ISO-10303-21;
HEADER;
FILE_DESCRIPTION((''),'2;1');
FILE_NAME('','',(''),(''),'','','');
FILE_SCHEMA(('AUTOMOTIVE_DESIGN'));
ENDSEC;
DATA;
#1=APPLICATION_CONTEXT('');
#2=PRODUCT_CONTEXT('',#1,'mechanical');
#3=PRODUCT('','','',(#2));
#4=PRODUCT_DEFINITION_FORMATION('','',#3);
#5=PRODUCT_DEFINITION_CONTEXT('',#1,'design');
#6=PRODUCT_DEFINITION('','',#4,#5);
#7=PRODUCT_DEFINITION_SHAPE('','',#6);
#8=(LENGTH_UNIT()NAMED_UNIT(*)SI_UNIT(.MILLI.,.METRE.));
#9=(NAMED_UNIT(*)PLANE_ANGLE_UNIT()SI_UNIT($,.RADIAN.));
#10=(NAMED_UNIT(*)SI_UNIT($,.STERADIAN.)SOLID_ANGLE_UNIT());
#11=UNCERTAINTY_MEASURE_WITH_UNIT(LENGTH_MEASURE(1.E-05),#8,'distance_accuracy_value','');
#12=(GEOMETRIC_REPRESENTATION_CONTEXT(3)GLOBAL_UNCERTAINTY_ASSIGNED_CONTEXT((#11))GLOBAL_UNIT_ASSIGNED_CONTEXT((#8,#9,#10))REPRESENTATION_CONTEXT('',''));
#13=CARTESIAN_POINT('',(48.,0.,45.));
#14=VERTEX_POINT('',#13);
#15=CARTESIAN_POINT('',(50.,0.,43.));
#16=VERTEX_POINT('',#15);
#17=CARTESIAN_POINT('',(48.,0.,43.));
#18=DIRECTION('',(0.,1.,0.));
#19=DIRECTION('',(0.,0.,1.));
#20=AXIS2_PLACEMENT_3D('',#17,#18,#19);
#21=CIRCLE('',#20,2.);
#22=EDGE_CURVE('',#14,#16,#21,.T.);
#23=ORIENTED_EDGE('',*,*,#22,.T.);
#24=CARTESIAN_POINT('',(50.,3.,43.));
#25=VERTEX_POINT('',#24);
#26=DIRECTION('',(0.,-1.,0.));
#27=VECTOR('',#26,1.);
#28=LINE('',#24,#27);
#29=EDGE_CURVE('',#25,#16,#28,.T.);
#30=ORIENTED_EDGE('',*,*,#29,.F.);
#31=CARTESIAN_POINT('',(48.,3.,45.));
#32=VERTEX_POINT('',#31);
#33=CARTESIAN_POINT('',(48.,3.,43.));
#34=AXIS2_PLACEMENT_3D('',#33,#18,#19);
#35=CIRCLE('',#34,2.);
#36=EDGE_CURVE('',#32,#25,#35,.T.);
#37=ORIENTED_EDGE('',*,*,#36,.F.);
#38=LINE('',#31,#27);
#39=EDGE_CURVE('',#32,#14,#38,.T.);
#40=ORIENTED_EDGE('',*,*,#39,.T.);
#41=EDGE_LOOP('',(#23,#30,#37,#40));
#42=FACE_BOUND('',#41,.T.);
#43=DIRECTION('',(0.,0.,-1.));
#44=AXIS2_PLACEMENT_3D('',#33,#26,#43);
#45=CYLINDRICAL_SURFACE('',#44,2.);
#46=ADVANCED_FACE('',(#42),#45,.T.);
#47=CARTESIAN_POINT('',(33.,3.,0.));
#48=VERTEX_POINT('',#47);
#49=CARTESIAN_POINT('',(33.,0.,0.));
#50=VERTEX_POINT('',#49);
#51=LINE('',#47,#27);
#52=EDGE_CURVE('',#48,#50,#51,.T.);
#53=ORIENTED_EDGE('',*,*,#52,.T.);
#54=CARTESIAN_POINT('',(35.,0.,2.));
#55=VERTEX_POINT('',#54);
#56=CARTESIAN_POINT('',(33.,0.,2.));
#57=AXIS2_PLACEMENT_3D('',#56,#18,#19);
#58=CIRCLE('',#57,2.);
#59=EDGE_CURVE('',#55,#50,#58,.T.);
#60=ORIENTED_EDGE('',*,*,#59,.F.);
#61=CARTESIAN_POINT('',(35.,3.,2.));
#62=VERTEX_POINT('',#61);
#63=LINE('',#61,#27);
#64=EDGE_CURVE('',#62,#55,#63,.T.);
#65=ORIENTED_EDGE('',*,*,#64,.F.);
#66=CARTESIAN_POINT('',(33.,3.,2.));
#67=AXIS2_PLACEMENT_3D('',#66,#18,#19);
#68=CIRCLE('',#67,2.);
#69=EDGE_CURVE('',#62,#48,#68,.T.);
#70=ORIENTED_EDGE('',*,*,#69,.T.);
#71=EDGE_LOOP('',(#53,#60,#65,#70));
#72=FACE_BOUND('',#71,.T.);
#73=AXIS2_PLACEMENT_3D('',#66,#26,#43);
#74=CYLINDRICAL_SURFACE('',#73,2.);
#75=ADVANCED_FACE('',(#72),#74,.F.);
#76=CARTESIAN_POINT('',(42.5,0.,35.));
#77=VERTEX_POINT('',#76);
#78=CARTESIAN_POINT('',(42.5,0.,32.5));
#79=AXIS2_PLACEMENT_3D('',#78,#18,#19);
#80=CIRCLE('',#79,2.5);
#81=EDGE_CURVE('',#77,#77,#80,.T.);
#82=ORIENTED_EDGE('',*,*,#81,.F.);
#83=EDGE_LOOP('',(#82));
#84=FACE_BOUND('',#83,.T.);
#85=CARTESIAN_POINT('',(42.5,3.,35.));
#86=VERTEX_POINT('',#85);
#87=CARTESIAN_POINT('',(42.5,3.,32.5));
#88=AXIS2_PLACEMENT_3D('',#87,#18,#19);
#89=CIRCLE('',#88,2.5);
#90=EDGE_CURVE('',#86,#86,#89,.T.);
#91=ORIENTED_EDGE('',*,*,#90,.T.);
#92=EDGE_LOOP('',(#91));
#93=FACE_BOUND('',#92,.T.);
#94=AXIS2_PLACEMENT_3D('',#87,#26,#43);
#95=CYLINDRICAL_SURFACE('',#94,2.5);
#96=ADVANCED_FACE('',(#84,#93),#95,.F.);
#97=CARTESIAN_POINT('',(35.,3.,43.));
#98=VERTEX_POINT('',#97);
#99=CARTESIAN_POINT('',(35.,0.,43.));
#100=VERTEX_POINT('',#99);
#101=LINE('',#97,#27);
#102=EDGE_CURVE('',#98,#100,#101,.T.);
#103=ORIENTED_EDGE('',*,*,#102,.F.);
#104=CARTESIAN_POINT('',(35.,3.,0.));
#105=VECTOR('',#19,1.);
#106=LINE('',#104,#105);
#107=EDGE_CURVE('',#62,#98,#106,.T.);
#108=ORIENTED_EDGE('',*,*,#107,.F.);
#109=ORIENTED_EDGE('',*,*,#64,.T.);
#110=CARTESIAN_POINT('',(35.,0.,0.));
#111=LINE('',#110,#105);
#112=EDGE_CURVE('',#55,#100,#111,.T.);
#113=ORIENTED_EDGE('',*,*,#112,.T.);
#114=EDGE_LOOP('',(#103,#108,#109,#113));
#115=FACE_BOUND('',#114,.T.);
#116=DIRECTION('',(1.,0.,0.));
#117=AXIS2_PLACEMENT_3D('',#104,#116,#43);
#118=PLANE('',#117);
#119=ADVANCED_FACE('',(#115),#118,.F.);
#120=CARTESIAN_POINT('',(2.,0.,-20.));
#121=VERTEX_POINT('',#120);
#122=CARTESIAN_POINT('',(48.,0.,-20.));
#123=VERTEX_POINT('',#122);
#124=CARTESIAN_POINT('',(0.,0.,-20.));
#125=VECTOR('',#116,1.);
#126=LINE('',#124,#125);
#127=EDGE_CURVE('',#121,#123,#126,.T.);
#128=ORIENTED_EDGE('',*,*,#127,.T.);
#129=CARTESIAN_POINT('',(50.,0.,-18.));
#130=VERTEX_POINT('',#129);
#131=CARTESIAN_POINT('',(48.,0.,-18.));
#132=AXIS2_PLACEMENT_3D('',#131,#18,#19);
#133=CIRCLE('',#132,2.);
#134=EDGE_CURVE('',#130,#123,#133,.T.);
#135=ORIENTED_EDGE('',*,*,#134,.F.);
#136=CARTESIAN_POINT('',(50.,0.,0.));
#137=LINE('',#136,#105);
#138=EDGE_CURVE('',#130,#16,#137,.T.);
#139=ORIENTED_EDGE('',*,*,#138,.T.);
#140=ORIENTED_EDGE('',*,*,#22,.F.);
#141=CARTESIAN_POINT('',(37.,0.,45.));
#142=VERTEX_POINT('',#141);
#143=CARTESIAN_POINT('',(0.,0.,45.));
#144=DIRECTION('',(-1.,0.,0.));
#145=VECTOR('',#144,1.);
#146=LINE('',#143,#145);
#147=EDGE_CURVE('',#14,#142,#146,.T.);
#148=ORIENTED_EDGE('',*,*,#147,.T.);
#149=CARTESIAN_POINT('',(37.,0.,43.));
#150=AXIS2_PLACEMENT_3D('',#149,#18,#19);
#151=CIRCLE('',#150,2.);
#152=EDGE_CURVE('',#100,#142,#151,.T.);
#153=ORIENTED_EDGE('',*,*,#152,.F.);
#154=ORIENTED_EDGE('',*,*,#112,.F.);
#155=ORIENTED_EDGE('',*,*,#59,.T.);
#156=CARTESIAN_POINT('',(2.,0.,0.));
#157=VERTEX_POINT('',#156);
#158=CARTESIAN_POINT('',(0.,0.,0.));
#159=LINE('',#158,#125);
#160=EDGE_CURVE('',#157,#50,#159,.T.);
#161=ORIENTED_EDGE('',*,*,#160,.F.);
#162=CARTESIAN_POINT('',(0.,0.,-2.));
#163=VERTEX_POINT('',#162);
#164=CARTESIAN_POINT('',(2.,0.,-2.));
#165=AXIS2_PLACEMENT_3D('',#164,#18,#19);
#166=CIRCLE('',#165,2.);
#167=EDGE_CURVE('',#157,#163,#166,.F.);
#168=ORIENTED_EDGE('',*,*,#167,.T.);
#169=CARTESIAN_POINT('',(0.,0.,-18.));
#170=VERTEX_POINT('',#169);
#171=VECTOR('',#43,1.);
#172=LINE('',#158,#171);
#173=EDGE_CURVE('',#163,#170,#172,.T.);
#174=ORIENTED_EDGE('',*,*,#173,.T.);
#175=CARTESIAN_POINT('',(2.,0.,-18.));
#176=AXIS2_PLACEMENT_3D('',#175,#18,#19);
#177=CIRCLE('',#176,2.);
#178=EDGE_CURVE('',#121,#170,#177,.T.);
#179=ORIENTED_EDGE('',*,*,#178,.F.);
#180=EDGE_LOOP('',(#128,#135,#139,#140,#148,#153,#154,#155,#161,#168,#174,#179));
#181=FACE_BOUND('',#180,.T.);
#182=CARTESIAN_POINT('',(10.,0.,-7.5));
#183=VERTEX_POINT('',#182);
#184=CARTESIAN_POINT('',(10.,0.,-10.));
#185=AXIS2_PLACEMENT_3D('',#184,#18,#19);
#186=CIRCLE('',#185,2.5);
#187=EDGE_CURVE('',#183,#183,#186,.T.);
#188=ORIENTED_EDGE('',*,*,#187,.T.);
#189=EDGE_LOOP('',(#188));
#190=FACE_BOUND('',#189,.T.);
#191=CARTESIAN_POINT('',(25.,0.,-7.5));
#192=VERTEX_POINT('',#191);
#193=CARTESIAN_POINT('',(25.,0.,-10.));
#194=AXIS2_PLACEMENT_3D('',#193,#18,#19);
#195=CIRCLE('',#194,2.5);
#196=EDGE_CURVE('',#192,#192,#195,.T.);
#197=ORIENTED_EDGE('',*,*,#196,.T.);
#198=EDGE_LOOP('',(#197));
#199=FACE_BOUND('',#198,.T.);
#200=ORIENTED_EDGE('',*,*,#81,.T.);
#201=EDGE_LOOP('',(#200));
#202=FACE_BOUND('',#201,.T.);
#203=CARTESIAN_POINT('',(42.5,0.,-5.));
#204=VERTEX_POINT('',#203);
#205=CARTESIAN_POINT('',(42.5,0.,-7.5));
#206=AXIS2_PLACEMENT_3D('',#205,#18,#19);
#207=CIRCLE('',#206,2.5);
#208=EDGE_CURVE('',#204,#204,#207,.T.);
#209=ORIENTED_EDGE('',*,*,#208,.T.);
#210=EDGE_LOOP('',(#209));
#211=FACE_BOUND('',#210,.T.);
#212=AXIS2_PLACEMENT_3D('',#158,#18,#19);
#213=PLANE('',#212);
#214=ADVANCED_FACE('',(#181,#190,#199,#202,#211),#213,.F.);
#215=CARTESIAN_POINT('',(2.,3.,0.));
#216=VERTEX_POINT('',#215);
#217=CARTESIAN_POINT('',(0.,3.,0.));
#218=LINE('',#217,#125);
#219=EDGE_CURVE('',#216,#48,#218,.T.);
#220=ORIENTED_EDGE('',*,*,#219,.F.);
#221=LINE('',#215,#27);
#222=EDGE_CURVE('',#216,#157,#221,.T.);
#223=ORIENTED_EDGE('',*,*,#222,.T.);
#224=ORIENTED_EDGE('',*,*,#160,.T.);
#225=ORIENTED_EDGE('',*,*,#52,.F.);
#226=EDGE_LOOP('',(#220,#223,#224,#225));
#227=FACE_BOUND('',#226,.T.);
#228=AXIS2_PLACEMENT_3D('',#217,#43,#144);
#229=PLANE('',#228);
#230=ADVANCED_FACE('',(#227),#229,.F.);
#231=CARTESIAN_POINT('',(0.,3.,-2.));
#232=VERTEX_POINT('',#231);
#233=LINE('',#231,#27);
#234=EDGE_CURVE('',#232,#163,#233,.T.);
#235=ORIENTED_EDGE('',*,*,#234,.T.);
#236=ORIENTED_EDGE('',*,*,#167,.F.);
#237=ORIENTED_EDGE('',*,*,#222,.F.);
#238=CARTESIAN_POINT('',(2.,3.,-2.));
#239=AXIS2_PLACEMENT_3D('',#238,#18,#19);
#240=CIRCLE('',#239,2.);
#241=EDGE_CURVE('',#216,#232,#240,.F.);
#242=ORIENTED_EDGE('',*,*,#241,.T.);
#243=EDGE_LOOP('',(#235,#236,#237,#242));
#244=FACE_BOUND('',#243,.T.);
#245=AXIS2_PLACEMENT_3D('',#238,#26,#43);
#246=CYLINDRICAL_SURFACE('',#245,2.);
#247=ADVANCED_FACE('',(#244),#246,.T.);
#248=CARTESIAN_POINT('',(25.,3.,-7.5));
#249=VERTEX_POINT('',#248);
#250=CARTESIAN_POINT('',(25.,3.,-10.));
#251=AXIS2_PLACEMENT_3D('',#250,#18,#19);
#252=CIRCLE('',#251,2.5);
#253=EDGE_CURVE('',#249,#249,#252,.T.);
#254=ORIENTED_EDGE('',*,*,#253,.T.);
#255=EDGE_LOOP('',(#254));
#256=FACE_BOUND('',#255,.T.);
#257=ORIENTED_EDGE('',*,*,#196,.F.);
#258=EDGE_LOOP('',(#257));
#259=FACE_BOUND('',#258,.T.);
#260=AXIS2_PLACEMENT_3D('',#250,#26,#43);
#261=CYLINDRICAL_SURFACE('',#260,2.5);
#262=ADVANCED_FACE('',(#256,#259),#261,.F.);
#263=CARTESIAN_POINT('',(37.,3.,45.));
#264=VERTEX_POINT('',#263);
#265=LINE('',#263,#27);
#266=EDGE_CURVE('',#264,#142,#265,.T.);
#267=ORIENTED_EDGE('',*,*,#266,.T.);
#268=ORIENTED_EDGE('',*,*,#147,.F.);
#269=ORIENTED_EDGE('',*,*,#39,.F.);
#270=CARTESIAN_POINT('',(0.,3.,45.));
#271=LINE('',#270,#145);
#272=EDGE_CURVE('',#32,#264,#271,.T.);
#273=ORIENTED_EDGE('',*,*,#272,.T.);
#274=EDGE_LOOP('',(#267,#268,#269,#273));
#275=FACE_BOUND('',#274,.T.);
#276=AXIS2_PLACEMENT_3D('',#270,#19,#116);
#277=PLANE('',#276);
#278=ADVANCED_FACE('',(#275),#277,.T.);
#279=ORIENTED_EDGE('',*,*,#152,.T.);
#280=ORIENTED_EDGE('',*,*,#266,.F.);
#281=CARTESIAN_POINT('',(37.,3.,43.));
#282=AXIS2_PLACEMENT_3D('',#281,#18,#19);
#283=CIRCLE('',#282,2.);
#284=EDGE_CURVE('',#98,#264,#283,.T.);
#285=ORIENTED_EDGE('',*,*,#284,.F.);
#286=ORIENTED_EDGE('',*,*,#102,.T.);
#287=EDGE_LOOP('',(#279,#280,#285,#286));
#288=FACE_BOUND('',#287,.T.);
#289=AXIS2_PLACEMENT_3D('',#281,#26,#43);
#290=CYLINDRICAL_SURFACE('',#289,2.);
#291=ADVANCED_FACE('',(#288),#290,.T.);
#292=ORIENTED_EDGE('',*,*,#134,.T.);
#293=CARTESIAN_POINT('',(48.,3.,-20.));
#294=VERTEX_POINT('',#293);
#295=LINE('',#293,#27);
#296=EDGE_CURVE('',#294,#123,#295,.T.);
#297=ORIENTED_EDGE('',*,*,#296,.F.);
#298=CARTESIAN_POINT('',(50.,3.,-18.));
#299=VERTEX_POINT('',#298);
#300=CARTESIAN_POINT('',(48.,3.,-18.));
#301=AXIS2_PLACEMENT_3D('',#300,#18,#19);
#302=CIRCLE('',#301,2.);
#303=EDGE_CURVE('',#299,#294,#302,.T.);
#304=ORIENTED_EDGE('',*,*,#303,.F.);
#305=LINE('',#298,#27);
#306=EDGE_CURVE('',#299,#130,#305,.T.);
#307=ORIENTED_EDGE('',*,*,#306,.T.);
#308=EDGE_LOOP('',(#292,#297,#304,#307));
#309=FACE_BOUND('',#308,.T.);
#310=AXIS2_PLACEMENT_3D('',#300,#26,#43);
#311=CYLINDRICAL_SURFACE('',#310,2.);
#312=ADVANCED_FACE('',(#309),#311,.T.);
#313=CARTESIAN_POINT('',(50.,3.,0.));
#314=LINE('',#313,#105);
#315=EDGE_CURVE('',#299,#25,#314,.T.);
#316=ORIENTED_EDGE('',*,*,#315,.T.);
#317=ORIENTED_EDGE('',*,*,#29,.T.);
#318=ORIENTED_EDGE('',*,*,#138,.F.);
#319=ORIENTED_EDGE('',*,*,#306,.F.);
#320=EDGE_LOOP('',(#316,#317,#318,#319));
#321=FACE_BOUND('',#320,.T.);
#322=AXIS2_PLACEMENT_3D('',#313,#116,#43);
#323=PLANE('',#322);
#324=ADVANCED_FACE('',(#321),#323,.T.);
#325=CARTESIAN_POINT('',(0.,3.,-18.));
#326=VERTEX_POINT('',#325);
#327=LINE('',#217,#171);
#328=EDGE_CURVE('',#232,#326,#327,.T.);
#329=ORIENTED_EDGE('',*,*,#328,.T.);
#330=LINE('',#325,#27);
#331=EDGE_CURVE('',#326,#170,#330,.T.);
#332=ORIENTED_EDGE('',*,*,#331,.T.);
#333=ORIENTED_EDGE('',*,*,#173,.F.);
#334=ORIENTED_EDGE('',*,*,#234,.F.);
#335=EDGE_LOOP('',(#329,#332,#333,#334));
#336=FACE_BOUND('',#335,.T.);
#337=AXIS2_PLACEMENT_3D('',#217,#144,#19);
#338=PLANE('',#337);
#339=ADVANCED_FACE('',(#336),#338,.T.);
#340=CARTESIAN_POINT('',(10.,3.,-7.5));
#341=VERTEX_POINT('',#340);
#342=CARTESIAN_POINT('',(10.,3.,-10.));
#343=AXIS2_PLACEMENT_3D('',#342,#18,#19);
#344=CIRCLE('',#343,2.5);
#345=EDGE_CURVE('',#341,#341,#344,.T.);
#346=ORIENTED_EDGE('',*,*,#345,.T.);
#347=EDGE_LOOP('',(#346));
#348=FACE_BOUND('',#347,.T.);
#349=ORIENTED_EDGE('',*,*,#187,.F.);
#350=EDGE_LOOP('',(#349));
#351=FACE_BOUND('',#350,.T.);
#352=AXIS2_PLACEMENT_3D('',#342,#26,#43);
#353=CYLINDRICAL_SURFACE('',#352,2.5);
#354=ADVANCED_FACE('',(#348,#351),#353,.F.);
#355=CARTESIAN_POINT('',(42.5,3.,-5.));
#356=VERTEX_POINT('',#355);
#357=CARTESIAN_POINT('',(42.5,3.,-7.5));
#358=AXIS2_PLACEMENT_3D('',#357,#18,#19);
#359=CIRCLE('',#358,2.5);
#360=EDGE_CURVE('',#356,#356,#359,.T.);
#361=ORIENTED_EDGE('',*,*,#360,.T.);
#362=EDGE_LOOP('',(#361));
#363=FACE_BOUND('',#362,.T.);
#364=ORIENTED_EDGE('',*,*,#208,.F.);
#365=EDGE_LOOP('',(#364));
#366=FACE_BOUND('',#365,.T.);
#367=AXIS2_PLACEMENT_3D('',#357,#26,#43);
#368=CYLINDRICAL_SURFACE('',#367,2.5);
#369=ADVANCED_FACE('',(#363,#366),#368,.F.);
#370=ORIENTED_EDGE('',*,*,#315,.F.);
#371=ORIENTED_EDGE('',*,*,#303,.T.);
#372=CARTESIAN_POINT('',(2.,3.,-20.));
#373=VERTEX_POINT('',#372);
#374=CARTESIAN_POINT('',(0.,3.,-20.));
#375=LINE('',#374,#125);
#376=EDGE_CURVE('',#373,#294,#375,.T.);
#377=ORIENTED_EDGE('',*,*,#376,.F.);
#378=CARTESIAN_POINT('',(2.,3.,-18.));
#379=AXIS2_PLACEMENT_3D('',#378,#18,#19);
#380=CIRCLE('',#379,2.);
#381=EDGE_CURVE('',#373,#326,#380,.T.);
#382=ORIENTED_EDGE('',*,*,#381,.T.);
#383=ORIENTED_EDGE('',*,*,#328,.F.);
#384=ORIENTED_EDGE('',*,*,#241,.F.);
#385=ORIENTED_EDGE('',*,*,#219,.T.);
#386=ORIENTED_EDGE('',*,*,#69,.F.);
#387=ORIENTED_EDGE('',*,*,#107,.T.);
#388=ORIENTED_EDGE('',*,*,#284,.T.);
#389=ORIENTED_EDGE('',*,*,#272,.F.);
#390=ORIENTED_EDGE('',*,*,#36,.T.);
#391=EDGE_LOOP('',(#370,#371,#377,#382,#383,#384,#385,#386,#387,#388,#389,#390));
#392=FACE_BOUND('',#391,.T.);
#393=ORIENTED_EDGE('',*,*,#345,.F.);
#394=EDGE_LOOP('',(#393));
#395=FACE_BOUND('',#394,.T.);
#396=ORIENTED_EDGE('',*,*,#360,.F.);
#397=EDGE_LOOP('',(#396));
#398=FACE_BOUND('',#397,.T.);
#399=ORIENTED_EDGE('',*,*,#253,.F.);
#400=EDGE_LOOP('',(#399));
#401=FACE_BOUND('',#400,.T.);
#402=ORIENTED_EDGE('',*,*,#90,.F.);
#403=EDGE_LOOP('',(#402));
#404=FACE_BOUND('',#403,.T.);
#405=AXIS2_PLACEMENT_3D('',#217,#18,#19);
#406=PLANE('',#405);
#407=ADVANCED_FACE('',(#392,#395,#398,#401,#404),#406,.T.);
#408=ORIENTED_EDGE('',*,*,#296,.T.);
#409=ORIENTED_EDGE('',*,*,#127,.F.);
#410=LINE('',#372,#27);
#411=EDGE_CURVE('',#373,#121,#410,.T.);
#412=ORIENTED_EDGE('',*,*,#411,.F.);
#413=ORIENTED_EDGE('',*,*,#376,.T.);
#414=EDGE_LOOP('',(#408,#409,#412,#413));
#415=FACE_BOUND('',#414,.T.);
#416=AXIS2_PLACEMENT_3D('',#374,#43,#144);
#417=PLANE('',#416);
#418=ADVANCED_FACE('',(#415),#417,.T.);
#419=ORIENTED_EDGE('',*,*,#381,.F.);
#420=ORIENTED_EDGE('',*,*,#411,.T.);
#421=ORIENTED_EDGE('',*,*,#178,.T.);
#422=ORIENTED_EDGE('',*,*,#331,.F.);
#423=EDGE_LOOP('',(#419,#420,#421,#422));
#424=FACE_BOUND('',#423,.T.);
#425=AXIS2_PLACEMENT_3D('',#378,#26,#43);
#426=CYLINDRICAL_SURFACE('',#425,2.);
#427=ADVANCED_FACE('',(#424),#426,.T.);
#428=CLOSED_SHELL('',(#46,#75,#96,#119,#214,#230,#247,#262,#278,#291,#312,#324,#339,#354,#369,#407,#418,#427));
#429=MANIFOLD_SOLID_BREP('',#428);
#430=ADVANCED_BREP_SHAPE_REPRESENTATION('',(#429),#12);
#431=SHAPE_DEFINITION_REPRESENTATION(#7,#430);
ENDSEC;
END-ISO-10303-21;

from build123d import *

# Parameters (mm, degrees)
SKETCH_1_R      = 2.5
EXTRUDE_1_DEPTH = 3


with BuildPart() as part:
    # 草图1 → 凸台-拉伸1 (new body)
    with BuildSketch(Plane(origin=(0, 0, 0), x_dir=(1, 0, 0), z_dir=(0, 1, 0))):
        with BuildLine():
            ThreePointArc((0, 2), (0.585786438, 0.585786438), (2, 0))
            Line((2, 0), (33, 0))
            ThreePointArc((33, 0), (34.414213562, -0.585786438), (35, -2))
            Line((35, -2), (35, -43))
            ThreePointArc((35, -43), (35.585786438, -44.414213562), (37, -45))
            Line((37, -45), (48, -45))
            ThreePointArc((48, -45), (49.414213562, -44.414213562), (50, -43))
            Line((50, -43), (50, 0))
            Line((50, 0), (50, 18))
            ThreePointArc((50, 18), (49.414213562, 19.414213562), (48, 20))
            Line((48, 20), (2, 20))
            ThreePointArc((2, 20), (0.585786438, 19.414213562), (0, 18))
            Line((0, 18), (0, 2))
        make_face()
        with Locations(Location((42.5, -32.5, 0), (0, 0, 270))):
            Circle(SKETCH_1_R, mode=Mode.SUBTRACT)
        with Locations(Location((10, 10, 0), (0, 0, 270))):
            Circle(SKETCH_1_R, mode=Mode.SUBTRACT)
        with Locations(Location((25, 10, 0), (0, 0, 270))):
            Circle(SKETCH_1_R, mode=Mode.SUBTRACT)
        with Locations(Location((42.5, 7.5, 0), (0, 0, 270))):
            Circle(SKETCH_1_R, mode=Mode.SUBTRACT)
    extrude(amount=EXTRUDE_1_DEPTH)


solid = part.part
